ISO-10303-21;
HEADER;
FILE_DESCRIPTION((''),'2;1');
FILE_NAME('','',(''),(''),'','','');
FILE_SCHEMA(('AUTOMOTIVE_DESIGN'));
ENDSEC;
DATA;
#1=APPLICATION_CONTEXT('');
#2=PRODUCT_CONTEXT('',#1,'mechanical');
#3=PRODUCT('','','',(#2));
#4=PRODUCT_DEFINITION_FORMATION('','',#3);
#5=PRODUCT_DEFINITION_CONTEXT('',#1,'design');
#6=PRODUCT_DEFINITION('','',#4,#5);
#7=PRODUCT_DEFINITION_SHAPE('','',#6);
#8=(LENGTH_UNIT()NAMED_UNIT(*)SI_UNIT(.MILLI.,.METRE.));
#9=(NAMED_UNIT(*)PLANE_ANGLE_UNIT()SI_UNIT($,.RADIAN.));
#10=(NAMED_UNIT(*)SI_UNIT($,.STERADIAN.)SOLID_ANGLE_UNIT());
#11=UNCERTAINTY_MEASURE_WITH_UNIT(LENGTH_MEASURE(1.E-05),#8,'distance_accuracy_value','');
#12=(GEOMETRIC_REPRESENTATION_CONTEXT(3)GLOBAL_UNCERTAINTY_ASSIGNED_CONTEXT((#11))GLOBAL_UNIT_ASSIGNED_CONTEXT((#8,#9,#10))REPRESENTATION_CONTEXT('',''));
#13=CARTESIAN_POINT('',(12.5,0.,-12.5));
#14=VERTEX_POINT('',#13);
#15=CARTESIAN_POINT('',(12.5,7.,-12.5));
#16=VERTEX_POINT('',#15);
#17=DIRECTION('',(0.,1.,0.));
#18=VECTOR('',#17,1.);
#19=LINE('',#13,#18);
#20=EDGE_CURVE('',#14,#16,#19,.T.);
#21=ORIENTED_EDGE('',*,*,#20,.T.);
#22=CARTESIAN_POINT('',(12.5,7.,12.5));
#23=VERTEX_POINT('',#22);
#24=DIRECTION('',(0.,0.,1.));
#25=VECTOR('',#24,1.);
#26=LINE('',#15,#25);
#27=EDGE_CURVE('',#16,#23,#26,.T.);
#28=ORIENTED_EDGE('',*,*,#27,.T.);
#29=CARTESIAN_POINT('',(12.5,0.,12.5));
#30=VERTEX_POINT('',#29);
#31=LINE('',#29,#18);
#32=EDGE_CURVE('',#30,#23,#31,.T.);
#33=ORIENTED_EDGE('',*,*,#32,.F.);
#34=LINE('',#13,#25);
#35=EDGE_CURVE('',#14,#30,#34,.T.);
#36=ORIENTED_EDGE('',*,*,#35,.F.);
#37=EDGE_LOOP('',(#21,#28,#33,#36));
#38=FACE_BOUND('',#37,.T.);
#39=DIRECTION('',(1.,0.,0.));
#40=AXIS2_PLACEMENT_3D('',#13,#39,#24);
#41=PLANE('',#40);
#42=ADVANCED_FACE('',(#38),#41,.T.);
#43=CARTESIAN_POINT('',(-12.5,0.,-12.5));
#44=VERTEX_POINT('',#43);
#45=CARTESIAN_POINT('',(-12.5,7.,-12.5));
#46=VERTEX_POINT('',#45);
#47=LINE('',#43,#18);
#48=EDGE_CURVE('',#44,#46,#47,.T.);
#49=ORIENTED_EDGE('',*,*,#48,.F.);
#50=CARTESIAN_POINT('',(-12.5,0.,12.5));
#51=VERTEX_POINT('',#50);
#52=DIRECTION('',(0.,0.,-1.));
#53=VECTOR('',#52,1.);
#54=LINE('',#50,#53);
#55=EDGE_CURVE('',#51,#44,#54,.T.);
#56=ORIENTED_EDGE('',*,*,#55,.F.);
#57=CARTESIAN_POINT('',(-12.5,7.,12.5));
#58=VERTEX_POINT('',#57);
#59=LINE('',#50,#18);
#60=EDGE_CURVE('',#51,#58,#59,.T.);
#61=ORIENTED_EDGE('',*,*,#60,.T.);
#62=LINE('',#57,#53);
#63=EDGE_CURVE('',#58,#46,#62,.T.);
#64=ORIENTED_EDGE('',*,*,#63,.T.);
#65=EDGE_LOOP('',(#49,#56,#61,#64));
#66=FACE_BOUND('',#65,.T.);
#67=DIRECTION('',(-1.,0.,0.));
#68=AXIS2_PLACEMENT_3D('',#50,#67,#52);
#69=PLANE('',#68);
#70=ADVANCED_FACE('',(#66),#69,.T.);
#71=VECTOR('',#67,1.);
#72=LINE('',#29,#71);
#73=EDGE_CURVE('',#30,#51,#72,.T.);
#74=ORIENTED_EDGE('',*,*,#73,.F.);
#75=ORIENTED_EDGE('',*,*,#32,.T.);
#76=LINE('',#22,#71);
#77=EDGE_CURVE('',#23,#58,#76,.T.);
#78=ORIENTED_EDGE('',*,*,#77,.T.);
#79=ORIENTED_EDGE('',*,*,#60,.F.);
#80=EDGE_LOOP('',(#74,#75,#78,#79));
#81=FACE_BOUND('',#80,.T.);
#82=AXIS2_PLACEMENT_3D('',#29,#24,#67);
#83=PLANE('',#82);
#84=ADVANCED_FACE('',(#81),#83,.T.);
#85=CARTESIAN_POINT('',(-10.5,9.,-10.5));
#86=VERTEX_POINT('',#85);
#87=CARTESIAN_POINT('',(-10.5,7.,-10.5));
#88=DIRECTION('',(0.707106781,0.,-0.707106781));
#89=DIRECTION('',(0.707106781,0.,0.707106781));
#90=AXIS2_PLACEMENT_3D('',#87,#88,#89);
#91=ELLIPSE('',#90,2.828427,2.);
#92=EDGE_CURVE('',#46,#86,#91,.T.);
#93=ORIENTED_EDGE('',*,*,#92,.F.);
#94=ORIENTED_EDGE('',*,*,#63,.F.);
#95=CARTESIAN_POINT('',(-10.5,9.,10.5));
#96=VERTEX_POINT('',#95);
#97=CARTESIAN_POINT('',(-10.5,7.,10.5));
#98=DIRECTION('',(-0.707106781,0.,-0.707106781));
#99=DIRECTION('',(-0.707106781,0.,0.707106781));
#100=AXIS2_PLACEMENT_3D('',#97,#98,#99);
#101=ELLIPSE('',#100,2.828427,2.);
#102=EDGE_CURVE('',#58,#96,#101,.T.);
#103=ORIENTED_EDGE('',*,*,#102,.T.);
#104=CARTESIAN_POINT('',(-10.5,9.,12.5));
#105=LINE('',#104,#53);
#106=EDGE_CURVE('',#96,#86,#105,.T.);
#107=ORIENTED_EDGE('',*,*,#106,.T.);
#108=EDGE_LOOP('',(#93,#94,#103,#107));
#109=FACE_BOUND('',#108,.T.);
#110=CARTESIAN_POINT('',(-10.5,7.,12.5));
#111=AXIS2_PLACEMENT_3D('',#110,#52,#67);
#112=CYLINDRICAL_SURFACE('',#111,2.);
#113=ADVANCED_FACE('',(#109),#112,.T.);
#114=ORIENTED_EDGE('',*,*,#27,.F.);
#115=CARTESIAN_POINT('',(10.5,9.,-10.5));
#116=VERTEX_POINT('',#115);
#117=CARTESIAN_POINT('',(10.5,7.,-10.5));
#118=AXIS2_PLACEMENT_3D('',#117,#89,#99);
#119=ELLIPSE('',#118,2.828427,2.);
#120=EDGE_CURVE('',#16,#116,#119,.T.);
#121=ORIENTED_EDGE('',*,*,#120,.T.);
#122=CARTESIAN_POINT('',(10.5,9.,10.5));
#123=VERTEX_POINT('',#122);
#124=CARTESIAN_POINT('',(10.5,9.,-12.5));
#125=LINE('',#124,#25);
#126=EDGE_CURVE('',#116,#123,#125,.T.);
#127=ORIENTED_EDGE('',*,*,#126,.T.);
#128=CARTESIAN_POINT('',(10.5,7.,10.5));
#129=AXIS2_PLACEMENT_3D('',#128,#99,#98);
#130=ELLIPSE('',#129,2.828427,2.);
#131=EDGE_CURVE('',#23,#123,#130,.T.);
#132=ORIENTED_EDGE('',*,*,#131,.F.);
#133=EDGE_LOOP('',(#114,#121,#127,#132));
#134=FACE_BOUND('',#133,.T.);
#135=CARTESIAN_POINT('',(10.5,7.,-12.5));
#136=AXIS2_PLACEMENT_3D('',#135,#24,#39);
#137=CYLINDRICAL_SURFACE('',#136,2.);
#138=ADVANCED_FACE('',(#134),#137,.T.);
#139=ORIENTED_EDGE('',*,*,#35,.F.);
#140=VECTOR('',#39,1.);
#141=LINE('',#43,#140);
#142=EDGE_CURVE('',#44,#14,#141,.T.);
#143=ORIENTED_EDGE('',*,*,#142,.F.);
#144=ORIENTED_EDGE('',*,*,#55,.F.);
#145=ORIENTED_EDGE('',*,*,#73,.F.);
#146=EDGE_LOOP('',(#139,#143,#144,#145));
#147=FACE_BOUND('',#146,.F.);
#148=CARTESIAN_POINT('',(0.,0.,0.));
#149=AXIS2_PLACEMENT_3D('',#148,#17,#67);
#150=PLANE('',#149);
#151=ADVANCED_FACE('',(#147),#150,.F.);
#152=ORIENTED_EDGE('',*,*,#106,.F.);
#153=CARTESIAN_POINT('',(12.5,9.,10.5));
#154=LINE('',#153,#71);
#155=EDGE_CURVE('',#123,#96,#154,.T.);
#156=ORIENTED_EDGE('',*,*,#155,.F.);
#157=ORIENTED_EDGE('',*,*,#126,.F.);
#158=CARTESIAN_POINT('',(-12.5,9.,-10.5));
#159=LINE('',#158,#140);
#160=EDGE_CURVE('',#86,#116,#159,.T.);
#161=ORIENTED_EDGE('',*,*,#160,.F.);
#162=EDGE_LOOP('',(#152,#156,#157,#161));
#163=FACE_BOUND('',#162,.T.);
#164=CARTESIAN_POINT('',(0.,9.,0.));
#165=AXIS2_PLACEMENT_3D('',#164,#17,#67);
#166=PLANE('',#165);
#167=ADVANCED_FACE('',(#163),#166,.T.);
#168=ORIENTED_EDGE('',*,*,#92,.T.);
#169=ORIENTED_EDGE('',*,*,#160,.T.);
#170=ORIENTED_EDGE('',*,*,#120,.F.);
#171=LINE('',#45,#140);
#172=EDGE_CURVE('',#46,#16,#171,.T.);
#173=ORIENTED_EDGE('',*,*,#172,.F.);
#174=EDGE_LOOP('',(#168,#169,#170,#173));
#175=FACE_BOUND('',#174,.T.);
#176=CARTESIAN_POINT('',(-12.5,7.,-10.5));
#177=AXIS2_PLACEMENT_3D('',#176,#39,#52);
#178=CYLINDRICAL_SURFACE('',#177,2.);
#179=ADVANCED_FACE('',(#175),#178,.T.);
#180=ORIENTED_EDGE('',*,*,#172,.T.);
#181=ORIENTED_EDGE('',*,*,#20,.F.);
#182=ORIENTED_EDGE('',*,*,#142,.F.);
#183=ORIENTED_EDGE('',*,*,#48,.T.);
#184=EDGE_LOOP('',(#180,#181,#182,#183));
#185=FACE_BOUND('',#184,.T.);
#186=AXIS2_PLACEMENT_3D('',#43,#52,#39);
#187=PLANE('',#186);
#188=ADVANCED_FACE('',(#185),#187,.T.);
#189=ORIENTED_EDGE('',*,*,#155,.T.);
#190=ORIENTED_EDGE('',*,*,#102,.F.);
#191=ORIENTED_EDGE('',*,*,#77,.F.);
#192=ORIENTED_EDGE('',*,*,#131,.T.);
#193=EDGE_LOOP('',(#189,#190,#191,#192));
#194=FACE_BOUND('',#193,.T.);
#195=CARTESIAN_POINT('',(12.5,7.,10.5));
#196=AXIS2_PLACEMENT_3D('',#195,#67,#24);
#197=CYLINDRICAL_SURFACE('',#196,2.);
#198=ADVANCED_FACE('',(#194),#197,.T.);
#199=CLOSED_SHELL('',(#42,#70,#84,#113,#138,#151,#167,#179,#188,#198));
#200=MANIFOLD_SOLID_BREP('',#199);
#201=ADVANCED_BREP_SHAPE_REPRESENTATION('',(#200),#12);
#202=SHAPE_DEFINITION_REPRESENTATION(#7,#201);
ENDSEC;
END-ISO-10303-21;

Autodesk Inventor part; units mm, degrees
ref_plane "YZ Plane" through (0, 0, 0) normal (1, 0, 0) x (0, 1, 0)
ref_plane "XZ Plane" through (0, 0, 0) normal (0, 1, 0) x (-1, 0, 0)
ref_plane "XY Plane" through (0, 0, 0) normal (0, 0, 1) x (1, 0, 0)
sketch "Эскиз1" plane through (0, 0, 0) normal (0, 1, 0) x (-1, 0, 0)
  line L0 (-12.5, 12.5) -> (12.5, 12.5)
  line L1 (12.5, 12.5) -> (12.5, -12.5)
  line L2 (12.5, -12.5) -> (-12.5, -12.5)
  line L3 (-12.5, -12.5) -> (-12.5, 12.5)
  line L4 (-12.5, 12.5) -> (12.5, -12.5) construction
  line L5 (12.5, 12.5) -> (-12.5, -12.5) construction
  point P0 (0, 0)
  dimension "d0" = 25
extrude "Выдавливание1" add sketch "Эскиз1" along normal blind 9
fillet "Сопряжение1" radius 2 4 edges at (0, 9, 12.5) (12.5, 9, 0) (0, 9, -12.5) (-12.5, 9, 0)
properties part number "Антена GPS" material "Сталь нержавеющая, 440C"
